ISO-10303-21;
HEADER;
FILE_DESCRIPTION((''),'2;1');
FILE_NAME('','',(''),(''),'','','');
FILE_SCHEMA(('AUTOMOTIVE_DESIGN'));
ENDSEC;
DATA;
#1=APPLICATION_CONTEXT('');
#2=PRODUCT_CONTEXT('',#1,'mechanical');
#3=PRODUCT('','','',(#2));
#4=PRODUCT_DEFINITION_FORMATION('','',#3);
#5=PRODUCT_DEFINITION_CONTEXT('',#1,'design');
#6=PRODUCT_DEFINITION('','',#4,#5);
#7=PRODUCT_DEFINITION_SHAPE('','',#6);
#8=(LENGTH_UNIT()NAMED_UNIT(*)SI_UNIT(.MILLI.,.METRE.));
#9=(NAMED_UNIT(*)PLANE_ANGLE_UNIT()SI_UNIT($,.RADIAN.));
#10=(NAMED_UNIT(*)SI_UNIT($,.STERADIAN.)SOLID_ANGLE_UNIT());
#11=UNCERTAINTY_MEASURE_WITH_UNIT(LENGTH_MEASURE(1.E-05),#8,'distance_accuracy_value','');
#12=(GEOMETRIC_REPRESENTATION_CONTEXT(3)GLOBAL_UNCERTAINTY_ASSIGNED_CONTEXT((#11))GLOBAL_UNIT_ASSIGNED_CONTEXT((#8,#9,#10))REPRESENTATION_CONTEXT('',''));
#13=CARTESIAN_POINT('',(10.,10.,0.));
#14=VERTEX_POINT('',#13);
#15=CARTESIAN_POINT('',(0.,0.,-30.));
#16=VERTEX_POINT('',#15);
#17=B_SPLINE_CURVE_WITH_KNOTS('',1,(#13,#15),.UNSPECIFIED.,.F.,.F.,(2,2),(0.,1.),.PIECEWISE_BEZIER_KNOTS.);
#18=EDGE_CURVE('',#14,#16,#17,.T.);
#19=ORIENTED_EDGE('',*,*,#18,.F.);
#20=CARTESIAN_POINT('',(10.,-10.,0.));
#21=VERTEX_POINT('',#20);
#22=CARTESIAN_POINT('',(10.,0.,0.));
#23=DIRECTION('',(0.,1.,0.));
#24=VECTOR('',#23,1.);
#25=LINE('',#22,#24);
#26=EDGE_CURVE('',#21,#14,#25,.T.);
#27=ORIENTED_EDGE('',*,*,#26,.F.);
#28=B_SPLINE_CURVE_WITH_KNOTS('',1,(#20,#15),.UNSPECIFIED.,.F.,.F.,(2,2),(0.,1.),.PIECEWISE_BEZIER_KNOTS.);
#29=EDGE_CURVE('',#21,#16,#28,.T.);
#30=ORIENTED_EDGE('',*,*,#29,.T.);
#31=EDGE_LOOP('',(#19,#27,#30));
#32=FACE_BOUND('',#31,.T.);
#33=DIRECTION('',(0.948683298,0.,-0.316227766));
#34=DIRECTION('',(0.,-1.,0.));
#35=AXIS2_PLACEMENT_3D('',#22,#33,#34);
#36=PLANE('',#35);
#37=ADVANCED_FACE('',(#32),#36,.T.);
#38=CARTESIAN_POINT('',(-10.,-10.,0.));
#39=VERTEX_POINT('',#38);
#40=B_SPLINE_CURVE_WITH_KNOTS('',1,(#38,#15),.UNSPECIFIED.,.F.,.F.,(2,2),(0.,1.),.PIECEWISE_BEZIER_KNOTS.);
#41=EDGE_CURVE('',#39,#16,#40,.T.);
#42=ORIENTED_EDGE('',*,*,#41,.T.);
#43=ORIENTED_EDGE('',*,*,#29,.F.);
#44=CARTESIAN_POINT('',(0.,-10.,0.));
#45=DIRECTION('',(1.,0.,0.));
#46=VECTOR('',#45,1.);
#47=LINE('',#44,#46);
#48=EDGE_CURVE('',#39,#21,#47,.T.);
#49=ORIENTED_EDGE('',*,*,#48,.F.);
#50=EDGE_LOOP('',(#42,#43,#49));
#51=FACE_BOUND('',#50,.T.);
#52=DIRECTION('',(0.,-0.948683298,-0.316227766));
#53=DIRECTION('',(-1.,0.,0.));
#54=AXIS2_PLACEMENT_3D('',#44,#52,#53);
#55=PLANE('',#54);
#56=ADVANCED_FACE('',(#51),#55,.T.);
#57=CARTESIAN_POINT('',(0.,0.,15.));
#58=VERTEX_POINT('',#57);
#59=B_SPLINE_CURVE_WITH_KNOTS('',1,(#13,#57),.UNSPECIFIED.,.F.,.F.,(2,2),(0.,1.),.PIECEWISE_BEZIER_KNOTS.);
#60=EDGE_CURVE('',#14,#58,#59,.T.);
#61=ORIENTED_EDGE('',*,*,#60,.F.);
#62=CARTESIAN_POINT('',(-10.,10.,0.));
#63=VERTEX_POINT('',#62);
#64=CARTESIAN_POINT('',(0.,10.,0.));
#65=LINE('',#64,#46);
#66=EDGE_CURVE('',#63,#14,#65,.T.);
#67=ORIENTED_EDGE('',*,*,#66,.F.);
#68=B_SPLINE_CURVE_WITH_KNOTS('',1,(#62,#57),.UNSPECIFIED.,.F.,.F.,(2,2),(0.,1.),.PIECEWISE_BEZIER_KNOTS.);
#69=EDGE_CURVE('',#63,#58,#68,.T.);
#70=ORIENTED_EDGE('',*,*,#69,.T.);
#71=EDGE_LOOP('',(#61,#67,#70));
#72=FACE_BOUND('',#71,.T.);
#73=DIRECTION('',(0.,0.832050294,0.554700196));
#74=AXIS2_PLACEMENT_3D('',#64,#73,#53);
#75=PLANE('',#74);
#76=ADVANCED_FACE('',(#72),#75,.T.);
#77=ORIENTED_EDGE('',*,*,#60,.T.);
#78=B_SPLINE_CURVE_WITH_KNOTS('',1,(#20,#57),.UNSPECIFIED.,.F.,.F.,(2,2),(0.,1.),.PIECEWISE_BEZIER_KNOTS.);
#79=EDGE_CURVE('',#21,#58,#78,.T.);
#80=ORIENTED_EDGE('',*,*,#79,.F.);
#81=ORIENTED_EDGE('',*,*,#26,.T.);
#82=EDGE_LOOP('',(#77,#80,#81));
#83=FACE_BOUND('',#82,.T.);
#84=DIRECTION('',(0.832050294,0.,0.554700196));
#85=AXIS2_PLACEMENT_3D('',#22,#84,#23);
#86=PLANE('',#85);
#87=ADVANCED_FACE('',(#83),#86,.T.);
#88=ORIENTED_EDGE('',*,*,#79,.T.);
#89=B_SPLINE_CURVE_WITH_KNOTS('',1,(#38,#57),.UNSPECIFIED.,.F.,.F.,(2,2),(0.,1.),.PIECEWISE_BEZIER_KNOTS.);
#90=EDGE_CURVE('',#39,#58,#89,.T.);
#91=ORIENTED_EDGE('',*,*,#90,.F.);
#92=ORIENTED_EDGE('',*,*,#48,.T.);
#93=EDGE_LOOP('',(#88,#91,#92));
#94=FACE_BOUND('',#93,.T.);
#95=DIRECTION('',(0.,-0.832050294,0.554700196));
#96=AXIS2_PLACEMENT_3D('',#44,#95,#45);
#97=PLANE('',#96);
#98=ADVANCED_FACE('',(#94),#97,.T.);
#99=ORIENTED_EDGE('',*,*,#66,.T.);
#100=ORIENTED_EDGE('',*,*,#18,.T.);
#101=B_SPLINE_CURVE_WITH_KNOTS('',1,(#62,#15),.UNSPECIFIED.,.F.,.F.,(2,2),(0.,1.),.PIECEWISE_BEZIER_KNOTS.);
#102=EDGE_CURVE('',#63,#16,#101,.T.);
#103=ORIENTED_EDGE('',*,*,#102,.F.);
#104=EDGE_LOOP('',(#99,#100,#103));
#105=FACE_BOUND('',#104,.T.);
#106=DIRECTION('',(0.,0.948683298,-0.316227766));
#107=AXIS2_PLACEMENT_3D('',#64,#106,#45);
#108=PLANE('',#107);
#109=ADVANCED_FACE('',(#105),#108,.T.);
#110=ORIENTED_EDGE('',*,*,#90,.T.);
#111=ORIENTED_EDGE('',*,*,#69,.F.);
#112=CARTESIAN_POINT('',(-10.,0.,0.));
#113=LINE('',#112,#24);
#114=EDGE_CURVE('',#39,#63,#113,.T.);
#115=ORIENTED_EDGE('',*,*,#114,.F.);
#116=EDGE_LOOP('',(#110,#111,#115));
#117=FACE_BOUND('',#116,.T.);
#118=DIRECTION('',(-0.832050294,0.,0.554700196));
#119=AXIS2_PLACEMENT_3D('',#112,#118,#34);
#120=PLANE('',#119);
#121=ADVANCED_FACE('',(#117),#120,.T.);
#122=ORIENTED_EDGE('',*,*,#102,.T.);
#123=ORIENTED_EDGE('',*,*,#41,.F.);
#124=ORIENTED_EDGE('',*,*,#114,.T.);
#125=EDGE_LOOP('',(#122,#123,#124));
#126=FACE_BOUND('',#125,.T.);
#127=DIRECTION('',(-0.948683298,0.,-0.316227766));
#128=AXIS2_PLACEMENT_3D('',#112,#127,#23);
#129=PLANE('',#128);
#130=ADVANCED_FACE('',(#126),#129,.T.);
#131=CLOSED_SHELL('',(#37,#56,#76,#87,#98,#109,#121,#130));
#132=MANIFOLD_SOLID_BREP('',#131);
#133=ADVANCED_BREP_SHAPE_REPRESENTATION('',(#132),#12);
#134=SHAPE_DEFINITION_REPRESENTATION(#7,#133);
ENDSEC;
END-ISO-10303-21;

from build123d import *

# Parameters (mm, degrees)
F0_W      = 20
F0_H      = 20
F4_FACE_W = 20
F4_FACE_H = 20


with BuildPart() as f4:
    # F0 (on Top) → F4 section 0
    with BuildSketch(Plane.XY, mode=Mode.PRIVATE) as f4_s0:
        Rectangle(F0_W, F0_H)
    loft([f4_s0.sketch, Vertex(0, 0, 15)])

    # F4_face (on face) → F6 section 0
    with BuildSketch(Plane(origin=(0, 0, 0), x_dir=(1, 0, 0), z_dir=(0, 0, -1)), mode=Mode.PRIVATE) as f6_s0:
        Rectangle(F4_FACE_W, F4_FACE_H)
    loft([f6_s0.sketch, Vertex(0, 0, -30)])


solid = f4.part
